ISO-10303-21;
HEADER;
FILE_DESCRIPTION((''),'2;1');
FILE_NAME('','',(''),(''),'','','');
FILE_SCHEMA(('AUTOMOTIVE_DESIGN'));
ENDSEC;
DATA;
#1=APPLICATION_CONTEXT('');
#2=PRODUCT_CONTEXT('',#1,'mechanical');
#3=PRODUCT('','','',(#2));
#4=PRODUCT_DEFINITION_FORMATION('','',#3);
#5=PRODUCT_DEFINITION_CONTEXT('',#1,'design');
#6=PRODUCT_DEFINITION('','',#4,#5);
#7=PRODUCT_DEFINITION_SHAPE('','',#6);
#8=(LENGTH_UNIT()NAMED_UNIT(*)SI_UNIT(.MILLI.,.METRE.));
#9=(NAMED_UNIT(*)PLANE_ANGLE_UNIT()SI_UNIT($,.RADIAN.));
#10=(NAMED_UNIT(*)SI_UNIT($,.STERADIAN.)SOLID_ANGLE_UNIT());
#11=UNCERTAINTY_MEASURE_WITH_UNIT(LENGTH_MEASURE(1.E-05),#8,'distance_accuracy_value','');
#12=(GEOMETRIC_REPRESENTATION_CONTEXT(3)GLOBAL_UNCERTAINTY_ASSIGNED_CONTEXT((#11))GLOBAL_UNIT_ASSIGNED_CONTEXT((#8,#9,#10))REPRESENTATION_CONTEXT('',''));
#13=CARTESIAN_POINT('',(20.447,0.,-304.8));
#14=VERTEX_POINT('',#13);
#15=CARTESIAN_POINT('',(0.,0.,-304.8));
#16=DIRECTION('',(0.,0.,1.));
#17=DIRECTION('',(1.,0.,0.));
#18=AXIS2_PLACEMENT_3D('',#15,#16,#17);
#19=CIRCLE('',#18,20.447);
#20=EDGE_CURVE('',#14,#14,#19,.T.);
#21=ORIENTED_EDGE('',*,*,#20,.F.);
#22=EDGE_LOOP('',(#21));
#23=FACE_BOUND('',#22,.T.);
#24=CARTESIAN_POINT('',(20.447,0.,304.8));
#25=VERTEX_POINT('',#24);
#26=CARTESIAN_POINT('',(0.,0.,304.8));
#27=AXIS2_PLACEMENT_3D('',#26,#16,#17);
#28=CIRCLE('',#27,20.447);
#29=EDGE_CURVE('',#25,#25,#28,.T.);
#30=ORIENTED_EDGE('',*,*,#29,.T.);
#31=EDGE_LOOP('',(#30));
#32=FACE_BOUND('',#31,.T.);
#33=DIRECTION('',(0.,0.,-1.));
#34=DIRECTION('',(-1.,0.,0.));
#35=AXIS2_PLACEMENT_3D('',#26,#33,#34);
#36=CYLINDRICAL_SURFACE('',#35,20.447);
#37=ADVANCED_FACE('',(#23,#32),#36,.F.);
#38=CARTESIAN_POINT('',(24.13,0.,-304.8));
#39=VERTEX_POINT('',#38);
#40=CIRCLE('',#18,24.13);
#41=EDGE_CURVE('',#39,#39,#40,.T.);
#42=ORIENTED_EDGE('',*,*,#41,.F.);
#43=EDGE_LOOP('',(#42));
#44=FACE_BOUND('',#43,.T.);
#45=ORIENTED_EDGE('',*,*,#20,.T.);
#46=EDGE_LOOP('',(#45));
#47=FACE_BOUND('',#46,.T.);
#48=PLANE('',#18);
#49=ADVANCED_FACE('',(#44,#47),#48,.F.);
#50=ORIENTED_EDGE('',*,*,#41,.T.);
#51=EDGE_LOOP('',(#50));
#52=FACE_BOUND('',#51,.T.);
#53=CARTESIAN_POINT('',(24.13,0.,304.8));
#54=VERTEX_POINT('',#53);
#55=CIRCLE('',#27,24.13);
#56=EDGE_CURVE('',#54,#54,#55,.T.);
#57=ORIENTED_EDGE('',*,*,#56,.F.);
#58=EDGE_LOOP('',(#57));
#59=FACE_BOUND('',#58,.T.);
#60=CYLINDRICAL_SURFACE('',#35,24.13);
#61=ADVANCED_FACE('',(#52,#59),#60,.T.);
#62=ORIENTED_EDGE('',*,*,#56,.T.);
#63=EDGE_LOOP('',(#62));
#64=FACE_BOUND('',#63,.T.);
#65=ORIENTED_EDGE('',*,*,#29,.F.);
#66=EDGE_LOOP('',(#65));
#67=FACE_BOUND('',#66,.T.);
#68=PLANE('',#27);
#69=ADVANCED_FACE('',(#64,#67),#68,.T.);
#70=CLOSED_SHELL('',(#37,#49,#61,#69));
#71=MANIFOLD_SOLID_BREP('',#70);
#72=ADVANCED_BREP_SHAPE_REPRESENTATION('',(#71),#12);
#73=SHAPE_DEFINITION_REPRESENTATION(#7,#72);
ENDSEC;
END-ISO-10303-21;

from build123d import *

# Parameters (mm, degrees)
SKETCH1_R           = 24.13
SKETCH1_R_2         = 20.447
EXTRUDE_THIN1_DEPTH = 304.8


with BuildPart() as part:
    # Sketch1 → Extrude-Thin1 (new body, symmetric)
    with BuildSketch(Plane.XY):
        Circle(SKETCH1_R)
        Circle(SKETCH1_R_2, mode=Mode.SUBTRACT)
    extrude(amount=EXTRUDE_THIN1_DEPTH, both=True)


solid = part.part
